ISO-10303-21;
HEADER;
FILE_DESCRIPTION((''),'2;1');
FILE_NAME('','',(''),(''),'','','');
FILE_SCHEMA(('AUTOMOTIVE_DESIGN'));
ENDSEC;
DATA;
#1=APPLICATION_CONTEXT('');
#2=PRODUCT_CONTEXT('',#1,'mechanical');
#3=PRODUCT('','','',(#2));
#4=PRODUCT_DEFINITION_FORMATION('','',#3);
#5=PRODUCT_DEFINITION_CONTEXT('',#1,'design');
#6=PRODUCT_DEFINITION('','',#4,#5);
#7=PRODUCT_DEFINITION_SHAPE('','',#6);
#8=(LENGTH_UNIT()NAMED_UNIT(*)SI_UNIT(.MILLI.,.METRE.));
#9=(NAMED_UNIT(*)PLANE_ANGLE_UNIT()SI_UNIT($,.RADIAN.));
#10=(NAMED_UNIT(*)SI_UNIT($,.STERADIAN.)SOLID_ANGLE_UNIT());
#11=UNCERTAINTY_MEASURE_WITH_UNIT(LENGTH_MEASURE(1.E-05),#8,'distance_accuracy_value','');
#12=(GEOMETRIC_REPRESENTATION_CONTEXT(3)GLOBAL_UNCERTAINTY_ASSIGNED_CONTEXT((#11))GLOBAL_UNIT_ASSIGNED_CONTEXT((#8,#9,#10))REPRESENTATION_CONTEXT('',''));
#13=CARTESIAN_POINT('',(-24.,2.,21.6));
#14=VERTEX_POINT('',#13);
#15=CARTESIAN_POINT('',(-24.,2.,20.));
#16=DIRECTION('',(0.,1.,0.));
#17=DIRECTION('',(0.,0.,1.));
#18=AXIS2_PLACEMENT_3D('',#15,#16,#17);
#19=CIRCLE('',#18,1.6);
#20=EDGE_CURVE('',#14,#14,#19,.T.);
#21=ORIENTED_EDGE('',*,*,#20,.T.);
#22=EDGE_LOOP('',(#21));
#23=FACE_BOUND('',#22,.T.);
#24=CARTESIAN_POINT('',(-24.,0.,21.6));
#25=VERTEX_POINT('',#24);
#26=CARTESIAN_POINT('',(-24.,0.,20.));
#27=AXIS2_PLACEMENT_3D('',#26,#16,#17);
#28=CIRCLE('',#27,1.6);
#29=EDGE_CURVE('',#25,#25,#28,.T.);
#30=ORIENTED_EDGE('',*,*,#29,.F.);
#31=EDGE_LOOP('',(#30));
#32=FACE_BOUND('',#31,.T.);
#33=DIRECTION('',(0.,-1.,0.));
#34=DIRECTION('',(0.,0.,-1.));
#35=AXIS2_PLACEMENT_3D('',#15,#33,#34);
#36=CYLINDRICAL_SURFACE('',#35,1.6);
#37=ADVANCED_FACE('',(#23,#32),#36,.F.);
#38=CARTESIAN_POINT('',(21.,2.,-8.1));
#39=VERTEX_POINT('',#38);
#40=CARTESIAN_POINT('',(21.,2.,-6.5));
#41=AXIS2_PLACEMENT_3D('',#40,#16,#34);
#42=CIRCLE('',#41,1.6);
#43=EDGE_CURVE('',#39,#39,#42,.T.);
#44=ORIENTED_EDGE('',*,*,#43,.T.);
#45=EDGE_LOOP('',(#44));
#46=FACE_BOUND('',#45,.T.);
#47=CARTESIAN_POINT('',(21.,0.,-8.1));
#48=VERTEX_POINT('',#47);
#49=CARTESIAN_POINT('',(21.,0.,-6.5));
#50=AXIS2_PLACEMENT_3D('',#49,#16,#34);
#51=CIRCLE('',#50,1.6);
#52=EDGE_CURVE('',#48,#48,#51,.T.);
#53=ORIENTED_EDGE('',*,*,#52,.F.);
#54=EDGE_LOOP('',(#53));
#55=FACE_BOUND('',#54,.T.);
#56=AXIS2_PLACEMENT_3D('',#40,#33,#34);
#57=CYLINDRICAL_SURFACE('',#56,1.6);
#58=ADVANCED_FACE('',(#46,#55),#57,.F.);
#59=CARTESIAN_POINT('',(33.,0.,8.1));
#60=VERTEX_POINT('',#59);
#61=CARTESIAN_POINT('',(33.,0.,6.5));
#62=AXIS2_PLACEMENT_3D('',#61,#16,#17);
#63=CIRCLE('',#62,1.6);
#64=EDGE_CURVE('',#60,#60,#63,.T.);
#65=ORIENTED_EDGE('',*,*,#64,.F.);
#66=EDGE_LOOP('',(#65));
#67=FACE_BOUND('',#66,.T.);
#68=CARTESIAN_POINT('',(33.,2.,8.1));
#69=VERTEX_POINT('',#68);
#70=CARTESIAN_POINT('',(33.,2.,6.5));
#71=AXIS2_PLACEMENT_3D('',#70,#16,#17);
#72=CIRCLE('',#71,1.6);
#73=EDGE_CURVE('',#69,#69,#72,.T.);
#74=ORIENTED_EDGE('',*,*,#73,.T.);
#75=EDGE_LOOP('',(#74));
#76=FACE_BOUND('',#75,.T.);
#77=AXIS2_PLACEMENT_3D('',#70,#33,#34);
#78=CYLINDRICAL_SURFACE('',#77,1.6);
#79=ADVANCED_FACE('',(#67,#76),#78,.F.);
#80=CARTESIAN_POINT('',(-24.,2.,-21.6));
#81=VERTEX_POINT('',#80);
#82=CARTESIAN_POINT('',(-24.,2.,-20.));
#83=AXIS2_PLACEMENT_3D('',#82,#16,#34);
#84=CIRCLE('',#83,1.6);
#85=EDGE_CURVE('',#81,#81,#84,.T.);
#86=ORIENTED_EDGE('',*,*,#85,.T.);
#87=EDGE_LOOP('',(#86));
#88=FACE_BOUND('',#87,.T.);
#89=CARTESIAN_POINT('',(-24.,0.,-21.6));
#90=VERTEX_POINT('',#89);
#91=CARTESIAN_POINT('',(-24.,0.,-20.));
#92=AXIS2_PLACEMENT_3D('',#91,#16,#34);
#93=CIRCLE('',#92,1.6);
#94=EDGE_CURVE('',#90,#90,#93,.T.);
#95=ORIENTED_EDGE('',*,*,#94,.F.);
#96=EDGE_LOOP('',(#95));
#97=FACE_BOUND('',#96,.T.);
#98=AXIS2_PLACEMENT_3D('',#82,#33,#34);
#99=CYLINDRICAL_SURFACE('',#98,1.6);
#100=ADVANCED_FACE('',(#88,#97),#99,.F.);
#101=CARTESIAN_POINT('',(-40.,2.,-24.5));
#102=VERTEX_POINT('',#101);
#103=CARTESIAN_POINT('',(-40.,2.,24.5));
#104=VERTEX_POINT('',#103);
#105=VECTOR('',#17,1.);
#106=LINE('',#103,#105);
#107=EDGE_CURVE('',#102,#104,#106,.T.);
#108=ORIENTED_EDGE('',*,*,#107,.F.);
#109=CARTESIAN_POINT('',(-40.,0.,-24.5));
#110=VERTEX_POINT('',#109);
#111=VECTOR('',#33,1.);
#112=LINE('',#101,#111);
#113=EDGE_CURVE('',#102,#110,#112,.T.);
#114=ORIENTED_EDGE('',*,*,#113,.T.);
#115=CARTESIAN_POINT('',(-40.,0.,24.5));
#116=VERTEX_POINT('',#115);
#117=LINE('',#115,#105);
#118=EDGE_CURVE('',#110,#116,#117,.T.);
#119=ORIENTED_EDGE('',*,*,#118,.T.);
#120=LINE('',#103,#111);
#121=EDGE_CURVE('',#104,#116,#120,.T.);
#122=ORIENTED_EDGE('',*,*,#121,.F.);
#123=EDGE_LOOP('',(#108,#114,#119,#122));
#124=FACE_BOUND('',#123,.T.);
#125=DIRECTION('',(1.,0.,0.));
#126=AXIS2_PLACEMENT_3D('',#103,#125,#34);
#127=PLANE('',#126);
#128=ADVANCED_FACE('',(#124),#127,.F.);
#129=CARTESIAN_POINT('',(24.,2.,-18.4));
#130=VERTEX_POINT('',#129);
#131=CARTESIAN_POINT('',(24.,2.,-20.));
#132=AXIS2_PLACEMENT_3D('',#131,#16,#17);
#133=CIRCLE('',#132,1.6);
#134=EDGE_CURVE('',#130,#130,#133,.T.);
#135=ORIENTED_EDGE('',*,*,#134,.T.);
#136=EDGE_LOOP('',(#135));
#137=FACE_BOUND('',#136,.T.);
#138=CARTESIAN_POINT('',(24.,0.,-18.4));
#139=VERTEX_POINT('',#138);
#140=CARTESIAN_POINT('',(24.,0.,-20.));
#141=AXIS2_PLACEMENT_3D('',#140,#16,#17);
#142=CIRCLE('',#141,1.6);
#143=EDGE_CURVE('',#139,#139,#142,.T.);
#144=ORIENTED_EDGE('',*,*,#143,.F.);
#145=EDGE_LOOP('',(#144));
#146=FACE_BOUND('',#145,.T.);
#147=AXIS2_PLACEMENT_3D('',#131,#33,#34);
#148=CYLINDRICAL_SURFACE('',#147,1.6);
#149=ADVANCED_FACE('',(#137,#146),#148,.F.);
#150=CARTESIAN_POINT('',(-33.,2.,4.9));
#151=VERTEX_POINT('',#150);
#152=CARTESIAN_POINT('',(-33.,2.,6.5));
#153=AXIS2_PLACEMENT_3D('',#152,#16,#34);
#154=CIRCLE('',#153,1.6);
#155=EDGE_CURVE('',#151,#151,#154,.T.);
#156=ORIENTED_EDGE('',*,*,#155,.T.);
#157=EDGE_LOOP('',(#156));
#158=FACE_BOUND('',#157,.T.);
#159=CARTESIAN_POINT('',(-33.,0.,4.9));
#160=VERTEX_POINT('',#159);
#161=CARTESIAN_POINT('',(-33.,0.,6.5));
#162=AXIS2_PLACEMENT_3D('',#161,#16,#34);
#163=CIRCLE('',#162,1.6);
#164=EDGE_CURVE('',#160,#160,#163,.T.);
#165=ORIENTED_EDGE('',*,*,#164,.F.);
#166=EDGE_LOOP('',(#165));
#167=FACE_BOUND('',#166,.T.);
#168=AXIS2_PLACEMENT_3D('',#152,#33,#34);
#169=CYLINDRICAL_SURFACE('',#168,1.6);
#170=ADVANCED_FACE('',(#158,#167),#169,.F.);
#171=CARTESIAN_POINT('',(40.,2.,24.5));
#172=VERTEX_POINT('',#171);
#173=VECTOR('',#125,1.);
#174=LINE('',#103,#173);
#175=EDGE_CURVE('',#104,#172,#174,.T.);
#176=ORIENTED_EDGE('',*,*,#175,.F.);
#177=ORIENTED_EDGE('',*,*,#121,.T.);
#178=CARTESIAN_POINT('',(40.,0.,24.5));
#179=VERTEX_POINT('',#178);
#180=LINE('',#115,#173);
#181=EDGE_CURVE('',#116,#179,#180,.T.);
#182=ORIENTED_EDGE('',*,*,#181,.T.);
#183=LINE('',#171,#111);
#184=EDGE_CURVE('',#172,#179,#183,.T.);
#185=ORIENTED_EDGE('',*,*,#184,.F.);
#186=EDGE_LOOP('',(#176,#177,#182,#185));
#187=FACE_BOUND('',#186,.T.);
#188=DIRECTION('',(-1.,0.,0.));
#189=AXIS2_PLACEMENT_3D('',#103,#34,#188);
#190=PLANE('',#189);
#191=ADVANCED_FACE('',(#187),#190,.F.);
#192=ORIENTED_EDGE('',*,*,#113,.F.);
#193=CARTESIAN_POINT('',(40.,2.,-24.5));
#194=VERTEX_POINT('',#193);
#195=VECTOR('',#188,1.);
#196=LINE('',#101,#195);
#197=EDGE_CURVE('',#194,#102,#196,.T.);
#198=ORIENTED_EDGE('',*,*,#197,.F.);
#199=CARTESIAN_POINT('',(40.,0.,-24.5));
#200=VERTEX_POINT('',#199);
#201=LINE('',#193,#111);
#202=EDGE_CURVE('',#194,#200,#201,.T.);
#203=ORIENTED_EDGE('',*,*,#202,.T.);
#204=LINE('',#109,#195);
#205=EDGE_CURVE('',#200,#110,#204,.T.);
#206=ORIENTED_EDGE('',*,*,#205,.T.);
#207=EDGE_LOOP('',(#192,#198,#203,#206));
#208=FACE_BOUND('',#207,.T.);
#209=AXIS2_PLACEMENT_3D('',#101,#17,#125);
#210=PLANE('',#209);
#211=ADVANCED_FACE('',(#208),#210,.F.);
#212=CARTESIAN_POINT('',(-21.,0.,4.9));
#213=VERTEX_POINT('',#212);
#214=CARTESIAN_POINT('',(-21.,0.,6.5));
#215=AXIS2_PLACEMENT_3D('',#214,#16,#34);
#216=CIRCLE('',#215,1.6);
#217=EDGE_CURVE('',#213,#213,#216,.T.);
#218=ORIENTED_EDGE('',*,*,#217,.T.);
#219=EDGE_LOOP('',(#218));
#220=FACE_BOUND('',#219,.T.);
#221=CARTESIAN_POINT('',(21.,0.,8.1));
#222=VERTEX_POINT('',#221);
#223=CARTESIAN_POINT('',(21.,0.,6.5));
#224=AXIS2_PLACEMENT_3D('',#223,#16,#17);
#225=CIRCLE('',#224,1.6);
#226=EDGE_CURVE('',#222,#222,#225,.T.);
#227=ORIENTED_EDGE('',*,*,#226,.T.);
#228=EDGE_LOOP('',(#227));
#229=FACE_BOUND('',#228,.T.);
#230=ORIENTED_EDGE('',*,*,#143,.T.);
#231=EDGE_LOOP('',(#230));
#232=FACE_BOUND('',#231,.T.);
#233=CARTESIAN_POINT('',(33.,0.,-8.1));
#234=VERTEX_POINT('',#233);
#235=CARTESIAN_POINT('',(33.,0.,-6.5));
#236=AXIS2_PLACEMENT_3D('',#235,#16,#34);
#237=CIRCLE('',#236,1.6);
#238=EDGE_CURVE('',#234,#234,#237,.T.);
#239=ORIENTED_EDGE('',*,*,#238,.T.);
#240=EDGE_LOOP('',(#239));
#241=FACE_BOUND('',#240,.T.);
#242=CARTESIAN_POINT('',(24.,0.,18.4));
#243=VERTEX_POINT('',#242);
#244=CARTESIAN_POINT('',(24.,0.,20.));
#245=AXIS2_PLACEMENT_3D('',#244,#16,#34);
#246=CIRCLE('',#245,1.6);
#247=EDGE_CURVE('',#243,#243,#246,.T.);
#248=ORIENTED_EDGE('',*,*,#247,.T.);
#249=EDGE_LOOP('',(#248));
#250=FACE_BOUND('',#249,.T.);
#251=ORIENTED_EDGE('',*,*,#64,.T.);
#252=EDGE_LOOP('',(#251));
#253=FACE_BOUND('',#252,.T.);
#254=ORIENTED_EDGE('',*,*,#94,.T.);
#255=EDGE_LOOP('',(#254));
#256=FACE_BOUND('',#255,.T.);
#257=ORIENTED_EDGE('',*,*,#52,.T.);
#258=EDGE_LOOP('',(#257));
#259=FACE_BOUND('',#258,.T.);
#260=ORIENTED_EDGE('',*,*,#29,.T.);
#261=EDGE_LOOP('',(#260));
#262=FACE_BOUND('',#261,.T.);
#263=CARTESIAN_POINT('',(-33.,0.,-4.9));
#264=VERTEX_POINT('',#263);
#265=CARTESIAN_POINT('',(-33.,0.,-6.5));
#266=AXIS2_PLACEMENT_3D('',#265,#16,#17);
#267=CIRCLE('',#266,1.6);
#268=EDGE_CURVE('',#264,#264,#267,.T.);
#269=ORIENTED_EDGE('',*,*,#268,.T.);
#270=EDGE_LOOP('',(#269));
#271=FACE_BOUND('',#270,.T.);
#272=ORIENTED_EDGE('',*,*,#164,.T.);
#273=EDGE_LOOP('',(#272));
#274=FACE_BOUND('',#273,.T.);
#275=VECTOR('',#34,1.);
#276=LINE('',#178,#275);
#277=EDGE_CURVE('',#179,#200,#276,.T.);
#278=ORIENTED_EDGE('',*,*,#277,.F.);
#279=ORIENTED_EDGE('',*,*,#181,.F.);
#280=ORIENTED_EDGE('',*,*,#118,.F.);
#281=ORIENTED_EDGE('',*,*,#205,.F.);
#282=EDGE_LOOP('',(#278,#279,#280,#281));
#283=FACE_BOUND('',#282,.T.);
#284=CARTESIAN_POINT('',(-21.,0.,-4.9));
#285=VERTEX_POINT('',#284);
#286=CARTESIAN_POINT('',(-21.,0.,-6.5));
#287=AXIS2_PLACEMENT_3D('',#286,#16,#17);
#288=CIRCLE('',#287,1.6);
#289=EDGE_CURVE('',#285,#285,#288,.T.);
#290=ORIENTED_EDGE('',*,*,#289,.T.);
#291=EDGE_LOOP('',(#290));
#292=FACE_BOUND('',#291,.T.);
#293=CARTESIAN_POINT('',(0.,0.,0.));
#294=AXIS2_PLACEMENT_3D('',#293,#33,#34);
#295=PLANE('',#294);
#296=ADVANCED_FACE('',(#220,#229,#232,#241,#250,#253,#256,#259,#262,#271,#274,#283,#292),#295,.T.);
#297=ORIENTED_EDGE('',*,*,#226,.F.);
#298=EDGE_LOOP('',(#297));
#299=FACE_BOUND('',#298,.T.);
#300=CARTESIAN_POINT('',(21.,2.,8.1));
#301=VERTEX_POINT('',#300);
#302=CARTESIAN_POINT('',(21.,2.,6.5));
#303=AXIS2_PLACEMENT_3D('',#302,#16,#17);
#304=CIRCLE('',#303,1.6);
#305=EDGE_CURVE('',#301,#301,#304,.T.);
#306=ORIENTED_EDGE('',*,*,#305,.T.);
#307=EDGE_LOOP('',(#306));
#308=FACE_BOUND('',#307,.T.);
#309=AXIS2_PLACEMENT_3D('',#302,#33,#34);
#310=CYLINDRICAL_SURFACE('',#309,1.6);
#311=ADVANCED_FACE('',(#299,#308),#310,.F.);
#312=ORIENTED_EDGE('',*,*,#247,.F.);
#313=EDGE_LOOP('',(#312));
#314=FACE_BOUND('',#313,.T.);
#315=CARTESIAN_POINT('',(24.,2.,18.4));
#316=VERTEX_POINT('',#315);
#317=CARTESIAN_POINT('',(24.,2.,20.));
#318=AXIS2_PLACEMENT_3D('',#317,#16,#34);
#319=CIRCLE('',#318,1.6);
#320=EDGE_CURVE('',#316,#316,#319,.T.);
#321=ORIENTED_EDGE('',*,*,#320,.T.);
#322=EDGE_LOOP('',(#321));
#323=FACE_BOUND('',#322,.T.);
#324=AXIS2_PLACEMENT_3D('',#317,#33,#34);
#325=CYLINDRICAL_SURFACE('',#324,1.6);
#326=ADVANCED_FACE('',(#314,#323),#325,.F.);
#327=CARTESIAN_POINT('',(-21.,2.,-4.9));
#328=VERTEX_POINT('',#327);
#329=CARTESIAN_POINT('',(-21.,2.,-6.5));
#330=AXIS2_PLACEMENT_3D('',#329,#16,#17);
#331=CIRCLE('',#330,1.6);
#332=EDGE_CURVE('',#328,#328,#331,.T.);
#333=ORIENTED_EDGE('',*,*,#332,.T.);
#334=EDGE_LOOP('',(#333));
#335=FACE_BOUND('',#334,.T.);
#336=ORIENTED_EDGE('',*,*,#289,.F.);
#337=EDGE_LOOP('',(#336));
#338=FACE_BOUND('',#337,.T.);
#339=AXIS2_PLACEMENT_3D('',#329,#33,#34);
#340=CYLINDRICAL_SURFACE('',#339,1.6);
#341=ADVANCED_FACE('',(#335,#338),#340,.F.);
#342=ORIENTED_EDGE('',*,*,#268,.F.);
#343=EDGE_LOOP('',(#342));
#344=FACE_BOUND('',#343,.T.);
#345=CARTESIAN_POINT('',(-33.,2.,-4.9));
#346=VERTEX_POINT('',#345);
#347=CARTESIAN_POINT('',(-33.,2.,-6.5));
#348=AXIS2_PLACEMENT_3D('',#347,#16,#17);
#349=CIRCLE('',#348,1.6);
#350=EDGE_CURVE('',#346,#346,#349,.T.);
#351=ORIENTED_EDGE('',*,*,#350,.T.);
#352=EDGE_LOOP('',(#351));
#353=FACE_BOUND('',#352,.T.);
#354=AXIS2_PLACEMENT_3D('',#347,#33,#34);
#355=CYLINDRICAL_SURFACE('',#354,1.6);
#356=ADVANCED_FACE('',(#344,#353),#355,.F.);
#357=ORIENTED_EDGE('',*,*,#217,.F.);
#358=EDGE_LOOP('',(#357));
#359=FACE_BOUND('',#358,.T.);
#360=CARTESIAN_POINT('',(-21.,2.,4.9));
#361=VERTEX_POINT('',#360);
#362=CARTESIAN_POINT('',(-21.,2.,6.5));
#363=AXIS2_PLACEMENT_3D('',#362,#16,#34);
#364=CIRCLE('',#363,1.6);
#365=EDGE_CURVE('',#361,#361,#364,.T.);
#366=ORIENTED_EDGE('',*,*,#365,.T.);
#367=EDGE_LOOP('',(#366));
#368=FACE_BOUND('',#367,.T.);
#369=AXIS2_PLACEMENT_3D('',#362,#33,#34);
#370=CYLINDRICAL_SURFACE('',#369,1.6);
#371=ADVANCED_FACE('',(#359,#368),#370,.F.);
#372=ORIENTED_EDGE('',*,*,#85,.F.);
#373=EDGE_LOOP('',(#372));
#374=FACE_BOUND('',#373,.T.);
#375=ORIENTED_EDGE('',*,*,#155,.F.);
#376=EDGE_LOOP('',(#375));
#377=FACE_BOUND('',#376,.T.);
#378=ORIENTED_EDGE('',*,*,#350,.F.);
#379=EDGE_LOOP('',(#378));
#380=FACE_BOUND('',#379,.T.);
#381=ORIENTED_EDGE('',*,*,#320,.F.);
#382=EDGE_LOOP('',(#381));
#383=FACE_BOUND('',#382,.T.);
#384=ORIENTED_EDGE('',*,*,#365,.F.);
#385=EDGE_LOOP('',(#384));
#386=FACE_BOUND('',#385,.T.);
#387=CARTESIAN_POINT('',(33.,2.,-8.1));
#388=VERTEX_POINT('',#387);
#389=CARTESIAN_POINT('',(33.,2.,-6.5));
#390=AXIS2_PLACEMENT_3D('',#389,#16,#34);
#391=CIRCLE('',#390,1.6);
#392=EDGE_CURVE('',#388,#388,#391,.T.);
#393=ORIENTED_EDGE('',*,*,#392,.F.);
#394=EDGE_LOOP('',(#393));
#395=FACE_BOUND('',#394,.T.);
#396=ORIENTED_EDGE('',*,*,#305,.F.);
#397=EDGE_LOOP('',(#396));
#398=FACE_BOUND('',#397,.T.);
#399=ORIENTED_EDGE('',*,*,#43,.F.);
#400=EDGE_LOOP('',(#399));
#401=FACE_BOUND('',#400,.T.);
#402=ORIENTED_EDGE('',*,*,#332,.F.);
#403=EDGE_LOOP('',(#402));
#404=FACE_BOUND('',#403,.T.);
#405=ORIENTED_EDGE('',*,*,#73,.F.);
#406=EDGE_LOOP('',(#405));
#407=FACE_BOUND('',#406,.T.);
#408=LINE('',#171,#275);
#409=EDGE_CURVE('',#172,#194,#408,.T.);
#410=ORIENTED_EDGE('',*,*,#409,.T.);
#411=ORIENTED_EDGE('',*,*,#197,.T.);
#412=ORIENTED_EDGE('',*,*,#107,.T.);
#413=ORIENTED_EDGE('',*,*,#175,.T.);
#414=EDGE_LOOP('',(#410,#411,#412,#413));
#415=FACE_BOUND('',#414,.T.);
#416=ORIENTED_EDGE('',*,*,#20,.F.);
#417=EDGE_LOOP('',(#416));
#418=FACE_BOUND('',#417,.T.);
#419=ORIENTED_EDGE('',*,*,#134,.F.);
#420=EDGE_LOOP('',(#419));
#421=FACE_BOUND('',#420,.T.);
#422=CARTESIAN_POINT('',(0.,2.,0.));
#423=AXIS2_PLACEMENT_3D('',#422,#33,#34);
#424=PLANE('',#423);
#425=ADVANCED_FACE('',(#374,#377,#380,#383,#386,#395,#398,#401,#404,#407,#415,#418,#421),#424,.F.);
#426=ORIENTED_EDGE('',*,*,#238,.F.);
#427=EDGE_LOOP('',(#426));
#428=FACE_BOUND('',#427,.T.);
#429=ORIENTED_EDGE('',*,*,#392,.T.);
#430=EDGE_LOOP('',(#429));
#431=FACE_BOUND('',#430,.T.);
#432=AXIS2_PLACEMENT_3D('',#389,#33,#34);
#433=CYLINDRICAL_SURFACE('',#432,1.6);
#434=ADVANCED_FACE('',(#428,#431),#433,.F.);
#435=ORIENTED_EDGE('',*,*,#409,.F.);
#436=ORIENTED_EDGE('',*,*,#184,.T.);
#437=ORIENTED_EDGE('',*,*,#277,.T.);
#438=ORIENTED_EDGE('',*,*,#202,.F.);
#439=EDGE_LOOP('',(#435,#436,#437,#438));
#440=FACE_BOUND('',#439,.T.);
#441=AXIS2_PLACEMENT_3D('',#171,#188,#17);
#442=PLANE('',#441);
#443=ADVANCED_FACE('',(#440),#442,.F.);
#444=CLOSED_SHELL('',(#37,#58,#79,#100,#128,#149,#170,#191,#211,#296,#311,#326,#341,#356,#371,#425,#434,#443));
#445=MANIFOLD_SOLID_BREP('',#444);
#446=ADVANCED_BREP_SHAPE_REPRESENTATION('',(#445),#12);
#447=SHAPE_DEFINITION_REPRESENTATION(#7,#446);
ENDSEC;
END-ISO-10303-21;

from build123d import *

# Parameters (mm, degrees)
SKETCH_1_W      = 80
SKETCH_1_H      = 49
SKETCH_1_R      = 1.6
EXTRUDE_1_DEPTH = 2


with BuildPart() as part:
    # 草圖1 → 填料-伸長1 (new body)
    with BuildSketch(Plane(origin=(0, 0, 0), x_dir=(1, 0, 0), z_dir=(0, 1, 0))):
        Rectangle(SKETCH_1_W, SKETCH_1_H)
        with Locations((-33, 6.5)):
            Circle(SKETCH_1_R, mode=Mode.SUBTRACT)
        with Locations((33, 6.5)):
            Circle(SKETCH_1_R, mode=Mode.SUBTRACT)
        with Locations((33, -6.5)):
            Circle(SKETCH_1_R, mode=Mode.SUBTRACT)
        with Locations((-33, -6.5)):
            Circle(SKETCH_1_R, mode=Mode.SUBTRACT)
        with Locations((-21, 6.5)):
            Circle(SKETCH_1_R, mode=Mode.SUBTRACT)
        with Locations((21, 6.5)):
            Circle(SKETCH_1_R, mode=Mode.SUBTRACT)
        with Locations((-21, -6.5)):
            Circle(SKETCH_1_R, mode=Mode.SUBTRACT)
        with Locations((21, -6.5)):
            Circle(SKETCH_1_R, mode=Mode.SUBTRACT)
        with Locations((-24, -20)):
            Circle(SKETCH_1_R, mode=Mode.SUBTRACT)
        with Locations((24, -20)):
            Circle(SKETCH_1_R, mode=Mode.SUBTRACT)
        with Locations((24, 20)):
            Circle(SKETCH_1_R, mode=Mode.SUBTRACT)
        with Locations((-24, 20)):
            Circle(SKETCH_1_R, mode=Mode.SUBTRACT)
    extrude(amount=EXTRUDE_1_DEPTH)


solid = part.part
